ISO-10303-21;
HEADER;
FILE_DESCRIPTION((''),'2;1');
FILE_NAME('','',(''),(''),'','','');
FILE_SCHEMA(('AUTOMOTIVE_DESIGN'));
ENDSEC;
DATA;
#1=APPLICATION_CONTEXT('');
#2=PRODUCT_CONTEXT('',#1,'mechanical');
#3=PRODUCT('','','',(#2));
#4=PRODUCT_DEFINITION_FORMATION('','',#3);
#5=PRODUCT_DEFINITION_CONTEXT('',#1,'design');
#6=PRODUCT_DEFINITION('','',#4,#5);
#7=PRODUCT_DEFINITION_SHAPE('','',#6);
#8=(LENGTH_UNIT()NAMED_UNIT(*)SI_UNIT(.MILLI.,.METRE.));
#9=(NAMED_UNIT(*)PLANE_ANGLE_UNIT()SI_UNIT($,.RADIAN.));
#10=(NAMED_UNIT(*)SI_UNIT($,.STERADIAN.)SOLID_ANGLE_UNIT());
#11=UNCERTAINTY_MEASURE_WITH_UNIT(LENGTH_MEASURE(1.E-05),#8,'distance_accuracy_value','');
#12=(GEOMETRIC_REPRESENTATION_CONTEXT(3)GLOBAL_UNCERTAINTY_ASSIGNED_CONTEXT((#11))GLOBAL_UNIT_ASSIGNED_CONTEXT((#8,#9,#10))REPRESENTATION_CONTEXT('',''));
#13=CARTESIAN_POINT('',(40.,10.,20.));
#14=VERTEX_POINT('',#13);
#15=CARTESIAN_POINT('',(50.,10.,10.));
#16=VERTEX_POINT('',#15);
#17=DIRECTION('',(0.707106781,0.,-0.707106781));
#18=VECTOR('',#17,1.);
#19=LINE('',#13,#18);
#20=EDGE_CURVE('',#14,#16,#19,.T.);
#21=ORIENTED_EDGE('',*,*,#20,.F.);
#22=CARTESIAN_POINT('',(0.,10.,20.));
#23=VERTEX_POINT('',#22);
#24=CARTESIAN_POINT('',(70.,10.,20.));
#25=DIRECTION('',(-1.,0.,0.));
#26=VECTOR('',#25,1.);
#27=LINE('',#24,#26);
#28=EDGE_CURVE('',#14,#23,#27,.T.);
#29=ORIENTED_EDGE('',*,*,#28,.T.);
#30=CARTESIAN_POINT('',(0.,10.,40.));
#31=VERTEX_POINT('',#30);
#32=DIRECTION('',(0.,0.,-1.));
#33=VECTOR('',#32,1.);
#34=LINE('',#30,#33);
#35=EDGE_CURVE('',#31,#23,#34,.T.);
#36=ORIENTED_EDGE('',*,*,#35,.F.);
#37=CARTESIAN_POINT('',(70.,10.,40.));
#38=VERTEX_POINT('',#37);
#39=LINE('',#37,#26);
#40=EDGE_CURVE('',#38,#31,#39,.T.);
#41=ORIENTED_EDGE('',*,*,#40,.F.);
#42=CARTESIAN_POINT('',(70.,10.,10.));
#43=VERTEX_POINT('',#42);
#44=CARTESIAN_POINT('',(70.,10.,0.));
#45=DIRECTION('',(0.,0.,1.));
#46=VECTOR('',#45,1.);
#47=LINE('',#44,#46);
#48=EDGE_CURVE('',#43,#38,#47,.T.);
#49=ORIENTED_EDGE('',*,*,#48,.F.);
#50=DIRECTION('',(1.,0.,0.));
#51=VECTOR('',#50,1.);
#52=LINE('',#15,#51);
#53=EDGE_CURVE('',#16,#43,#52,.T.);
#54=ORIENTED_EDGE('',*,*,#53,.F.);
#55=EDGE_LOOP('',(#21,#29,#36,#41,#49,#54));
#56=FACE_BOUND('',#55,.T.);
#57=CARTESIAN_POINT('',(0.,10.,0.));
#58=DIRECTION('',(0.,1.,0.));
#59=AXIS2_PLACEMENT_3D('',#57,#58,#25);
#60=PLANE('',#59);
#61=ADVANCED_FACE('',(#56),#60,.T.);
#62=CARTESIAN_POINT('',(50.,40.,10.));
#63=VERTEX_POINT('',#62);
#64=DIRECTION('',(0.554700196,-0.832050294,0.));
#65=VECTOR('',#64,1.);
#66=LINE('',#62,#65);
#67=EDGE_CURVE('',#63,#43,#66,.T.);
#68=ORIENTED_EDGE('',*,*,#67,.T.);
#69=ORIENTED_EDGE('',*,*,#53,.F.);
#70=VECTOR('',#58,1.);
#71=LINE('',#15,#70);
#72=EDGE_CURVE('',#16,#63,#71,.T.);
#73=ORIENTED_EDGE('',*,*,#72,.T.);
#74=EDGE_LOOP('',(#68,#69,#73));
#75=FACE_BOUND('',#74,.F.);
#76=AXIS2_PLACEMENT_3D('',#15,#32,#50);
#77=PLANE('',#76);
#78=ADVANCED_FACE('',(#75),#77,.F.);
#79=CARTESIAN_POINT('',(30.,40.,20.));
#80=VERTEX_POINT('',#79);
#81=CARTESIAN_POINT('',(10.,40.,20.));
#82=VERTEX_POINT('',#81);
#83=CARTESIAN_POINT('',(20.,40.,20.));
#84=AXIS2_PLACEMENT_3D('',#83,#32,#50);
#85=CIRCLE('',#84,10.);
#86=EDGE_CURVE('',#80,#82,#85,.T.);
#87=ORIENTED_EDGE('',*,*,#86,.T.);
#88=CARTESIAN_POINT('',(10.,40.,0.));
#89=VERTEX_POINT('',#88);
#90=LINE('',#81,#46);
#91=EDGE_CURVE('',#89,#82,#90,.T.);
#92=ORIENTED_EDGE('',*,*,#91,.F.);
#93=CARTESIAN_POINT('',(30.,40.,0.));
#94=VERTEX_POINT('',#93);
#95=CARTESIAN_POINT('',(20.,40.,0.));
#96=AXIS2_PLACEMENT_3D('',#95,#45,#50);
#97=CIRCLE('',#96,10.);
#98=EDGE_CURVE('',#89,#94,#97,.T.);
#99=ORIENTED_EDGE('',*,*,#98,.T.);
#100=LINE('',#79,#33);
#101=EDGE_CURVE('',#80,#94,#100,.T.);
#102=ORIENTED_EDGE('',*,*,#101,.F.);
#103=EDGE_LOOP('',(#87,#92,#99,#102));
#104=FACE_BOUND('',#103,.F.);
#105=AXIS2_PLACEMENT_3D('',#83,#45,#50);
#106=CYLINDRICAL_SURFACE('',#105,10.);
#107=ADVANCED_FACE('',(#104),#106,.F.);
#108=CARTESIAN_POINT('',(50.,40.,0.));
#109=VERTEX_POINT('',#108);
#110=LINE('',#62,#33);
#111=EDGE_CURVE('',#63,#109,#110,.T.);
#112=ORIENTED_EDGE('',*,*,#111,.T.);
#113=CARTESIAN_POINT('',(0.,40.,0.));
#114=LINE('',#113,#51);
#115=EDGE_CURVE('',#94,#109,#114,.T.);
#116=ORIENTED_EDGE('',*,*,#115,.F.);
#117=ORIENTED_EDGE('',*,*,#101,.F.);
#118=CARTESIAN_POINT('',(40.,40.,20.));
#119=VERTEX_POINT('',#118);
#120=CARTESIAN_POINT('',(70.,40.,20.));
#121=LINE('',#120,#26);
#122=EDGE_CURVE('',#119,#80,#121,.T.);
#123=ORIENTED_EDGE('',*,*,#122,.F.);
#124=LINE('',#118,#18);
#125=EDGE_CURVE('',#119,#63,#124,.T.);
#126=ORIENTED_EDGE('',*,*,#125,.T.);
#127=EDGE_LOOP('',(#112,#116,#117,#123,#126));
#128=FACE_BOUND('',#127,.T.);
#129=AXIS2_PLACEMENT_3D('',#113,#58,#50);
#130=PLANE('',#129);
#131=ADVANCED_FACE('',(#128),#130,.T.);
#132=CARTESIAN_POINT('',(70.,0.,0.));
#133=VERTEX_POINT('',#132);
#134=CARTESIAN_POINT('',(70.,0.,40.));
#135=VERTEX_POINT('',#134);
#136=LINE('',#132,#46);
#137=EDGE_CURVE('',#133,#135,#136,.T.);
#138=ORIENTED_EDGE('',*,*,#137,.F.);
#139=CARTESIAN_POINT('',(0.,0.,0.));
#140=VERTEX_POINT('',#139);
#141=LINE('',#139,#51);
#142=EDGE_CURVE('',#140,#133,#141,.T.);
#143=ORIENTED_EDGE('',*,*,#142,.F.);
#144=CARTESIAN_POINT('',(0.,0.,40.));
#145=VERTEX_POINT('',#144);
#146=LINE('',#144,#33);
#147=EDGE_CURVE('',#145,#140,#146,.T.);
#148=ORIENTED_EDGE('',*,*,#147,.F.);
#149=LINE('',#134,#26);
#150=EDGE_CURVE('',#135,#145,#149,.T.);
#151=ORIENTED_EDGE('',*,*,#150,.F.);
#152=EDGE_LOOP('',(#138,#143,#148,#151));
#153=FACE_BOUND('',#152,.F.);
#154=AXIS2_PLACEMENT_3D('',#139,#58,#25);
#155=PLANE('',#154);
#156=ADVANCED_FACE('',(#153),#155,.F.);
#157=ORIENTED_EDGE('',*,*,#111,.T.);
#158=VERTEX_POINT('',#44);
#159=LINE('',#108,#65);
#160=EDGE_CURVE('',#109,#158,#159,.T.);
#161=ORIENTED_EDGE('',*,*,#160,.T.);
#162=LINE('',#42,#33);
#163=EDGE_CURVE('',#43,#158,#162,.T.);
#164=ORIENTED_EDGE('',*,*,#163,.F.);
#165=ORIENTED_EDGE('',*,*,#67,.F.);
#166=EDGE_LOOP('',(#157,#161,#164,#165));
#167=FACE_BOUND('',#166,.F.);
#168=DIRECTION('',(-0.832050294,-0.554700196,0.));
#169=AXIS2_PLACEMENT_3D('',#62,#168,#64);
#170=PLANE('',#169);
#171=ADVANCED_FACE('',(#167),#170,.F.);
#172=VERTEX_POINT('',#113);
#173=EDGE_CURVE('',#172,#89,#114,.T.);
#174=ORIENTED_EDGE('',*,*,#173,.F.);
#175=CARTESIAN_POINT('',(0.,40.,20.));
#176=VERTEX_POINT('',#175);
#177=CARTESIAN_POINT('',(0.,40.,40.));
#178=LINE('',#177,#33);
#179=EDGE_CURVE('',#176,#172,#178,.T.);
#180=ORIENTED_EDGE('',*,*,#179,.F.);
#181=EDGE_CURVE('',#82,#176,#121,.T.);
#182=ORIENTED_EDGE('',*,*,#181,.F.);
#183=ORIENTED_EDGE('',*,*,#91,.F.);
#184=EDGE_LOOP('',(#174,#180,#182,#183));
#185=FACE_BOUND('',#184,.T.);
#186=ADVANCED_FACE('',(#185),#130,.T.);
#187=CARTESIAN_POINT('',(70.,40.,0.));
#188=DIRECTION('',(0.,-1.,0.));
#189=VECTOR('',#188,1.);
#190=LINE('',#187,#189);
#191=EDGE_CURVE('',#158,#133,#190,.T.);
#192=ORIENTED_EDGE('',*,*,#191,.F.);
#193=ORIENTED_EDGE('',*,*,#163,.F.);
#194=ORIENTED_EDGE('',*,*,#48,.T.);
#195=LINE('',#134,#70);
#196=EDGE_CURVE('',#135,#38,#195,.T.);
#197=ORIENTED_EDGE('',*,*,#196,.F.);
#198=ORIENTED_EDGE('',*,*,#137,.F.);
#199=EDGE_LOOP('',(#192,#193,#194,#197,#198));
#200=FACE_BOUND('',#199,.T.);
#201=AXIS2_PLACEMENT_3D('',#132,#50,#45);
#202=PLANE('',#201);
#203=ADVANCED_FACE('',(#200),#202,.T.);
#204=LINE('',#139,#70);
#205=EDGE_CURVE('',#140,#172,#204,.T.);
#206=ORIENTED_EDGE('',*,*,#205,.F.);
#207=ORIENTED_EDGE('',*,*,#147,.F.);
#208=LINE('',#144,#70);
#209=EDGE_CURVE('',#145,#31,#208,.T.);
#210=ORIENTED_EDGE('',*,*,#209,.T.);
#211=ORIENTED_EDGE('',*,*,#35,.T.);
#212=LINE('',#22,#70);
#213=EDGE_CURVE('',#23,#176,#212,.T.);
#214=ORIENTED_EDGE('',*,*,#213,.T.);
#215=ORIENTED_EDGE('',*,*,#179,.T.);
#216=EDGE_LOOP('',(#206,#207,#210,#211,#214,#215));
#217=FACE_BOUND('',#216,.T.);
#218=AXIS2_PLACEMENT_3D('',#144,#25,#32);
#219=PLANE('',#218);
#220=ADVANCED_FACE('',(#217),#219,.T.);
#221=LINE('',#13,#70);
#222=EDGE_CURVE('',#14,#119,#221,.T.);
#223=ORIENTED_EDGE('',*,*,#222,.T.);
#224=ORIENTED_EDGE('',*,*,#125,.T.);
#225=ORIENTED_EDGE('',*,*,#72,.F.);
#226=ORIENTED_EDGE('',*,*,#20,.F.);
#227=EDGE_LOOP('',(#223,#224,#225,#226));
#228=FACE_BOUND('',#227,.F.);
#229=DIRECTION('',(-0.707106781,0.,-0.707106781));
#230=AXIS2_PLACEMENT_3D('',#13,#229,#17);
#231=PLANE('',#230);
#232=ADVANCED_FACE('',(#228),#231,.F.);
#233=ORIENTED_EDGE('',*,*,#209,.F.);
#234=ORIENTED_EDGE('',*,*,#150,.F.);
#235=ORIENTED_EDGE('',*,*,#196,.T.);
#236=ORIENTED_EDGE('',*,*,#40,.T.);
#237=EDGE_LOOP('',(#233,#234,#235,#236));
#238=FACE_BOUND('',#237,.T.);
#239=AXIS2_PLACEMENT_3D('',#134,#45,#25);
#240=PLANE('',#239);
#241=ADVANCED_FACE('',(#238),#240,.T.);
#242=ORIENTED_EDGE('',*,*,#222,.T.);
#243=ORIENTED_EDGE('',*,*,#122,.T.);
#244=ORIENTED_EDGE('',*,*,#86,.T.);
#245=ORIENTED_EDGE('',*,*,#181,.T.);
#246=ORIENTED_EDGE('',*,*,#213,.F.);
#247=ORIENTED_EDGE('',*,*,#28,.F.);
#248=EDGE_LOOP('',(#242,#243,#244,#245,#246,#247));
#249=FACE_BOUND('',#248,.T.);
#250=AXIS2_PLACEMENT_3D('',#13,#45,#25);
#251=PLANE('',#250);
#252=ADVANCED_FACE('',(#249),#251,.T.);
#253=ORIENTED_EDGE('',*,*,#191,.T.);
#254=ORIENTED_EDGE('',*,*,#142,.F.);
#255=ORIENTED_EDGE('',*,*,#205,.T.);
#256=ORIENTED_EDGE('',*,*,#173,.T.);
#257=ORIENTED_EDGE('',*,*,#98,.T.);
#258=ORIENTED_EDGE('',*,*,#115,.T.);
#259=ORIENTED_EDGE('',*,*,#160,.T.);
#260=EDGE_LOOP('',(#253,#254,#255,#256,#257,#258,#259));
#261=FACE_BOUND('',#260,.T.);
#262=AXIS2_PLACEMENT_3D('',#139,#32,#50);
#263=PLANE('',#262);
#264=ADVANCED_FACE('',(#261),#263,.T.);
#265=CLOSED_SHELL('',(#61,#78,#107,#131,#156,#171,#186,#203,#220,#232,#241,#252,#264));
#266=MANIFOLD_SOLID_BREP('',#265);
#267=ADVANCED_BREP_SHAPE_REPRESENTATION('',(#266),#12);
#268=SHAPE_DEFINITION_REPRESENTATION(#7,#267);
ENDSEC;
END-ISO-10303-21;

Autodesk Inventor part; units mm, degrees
ref_plane "YZ Plane" through (0, 0, 0) normal (1, 0, 0) x (0, 1, 0)
ref_plane "XZ Plane" through (0, 0, 0) normal (0, 1, 0) x (-1, 0, 0)
ref_plane "XY Plane" through (0, 0, 0) normal (0, 0, 1) x (1, 0, 0)
sketch "草圖1" plane through (0, 0, 0) normal (0, 1, 0) x (-1, 0, 0)
  line L0 (0, 0) -> (-70, 0)
  line L1 (-70, 0) -> (-70, 40)
  line L2 (-70, 40) -> (0, 40)
  line L3 (0, 40) -> (0, 0)
  dimension "d0" = 70
  dimension "d1" = 40
extrude "擠出1" add sketch "草圖1" along normal blind 10
sketch "草圖2" plane through (0, 10, 0) normal (0, 1, 0) x (1, 0, 0)
  line L0 (0, -40) -> (0, 0) projected
  line L1 (0, 0) -> (70, 0) projected
  line L2 (70, 0) -> (70, -40) projected
  line L3 (70, -40) -> (0, -40) projected
  line L4 (0, 0) -> (70, 0)
  line L5 (70, 0) -> (70, -20)
  line L6 (70, -20) -> (0, -20)
  line L7 (0, -20) -> (0, 0)
  line L8 (70, -40) -> (70, 0) projected
  line L9 (40, -20) -> (50, -10)
  line L10 (50, -10) -> (70, -10)
  point P0 (0, -20)
  dimension "d4" = 20
  dimension "d5" = 10
  dimension "d6" = 20
  dimension "d7" = 30
extrude "擠出2" add sketch "草圖2" along normal blind 30 contours L0 L1 L2 L10 L9 L6
sketch "草圖3" plane through (50, 10, 10) normal (0, 0, 1) x (1, 0, 0)
  line L0 (0, 30) -> (0, 0) projected
  line L1 (0, 0) -> (20, 0) projected
  line L2 (20, 0) -> (20, -10) projected
  line L3 (20, -10) -> (-50, -10) projected
  line L4 (-50, -10) -> (-50, 30) projected
  line L5 (-50, 30) -> (0, 30) projected
  line L6 (0, 30) -> (20, 30) projected
  line L7 (20, 30) -> (20, 0) projected
  line L8 (0, 30) -> (20, 30) projected
  line L9 (20, 0) -> (0, 0) projected
  line L10 (0, 30) -> (20, 0)
extrude "擠出3" cut sketch "草圖3" against normal blind 10 contours L6 L7 L10
sketch "草圖4" plane through (0, 10, 20) normal (0, 0, 1) x (1, 0, 0)
  line L0 (0, -10) -> (0, 0) projected
  line L1 (0, 0) -> (0, 30) projected
  line L2 (0, 30) -> (40, 30) projected
  line L3 (40, 30) -> (40, 0) projected
  line L4 (40, 0) -> (70, 0) projected
  line L5 (70, 0) -> (70, -10) projected
  line L6 (70, -10) -> (0, -10) projected
  line L7 (0, 0) -> (40, 0) projected
  line L8 (0, 30) -> (40, 30) projected
  circle A0 centre (20, 30) radius 10
  dimension "d12" = 20
extrude "擠出4" cut sketch "草圖4" against normal blind 46 contours A0 L2 | L2 A0
properties part number "28" material "鋼、碳鋼"
